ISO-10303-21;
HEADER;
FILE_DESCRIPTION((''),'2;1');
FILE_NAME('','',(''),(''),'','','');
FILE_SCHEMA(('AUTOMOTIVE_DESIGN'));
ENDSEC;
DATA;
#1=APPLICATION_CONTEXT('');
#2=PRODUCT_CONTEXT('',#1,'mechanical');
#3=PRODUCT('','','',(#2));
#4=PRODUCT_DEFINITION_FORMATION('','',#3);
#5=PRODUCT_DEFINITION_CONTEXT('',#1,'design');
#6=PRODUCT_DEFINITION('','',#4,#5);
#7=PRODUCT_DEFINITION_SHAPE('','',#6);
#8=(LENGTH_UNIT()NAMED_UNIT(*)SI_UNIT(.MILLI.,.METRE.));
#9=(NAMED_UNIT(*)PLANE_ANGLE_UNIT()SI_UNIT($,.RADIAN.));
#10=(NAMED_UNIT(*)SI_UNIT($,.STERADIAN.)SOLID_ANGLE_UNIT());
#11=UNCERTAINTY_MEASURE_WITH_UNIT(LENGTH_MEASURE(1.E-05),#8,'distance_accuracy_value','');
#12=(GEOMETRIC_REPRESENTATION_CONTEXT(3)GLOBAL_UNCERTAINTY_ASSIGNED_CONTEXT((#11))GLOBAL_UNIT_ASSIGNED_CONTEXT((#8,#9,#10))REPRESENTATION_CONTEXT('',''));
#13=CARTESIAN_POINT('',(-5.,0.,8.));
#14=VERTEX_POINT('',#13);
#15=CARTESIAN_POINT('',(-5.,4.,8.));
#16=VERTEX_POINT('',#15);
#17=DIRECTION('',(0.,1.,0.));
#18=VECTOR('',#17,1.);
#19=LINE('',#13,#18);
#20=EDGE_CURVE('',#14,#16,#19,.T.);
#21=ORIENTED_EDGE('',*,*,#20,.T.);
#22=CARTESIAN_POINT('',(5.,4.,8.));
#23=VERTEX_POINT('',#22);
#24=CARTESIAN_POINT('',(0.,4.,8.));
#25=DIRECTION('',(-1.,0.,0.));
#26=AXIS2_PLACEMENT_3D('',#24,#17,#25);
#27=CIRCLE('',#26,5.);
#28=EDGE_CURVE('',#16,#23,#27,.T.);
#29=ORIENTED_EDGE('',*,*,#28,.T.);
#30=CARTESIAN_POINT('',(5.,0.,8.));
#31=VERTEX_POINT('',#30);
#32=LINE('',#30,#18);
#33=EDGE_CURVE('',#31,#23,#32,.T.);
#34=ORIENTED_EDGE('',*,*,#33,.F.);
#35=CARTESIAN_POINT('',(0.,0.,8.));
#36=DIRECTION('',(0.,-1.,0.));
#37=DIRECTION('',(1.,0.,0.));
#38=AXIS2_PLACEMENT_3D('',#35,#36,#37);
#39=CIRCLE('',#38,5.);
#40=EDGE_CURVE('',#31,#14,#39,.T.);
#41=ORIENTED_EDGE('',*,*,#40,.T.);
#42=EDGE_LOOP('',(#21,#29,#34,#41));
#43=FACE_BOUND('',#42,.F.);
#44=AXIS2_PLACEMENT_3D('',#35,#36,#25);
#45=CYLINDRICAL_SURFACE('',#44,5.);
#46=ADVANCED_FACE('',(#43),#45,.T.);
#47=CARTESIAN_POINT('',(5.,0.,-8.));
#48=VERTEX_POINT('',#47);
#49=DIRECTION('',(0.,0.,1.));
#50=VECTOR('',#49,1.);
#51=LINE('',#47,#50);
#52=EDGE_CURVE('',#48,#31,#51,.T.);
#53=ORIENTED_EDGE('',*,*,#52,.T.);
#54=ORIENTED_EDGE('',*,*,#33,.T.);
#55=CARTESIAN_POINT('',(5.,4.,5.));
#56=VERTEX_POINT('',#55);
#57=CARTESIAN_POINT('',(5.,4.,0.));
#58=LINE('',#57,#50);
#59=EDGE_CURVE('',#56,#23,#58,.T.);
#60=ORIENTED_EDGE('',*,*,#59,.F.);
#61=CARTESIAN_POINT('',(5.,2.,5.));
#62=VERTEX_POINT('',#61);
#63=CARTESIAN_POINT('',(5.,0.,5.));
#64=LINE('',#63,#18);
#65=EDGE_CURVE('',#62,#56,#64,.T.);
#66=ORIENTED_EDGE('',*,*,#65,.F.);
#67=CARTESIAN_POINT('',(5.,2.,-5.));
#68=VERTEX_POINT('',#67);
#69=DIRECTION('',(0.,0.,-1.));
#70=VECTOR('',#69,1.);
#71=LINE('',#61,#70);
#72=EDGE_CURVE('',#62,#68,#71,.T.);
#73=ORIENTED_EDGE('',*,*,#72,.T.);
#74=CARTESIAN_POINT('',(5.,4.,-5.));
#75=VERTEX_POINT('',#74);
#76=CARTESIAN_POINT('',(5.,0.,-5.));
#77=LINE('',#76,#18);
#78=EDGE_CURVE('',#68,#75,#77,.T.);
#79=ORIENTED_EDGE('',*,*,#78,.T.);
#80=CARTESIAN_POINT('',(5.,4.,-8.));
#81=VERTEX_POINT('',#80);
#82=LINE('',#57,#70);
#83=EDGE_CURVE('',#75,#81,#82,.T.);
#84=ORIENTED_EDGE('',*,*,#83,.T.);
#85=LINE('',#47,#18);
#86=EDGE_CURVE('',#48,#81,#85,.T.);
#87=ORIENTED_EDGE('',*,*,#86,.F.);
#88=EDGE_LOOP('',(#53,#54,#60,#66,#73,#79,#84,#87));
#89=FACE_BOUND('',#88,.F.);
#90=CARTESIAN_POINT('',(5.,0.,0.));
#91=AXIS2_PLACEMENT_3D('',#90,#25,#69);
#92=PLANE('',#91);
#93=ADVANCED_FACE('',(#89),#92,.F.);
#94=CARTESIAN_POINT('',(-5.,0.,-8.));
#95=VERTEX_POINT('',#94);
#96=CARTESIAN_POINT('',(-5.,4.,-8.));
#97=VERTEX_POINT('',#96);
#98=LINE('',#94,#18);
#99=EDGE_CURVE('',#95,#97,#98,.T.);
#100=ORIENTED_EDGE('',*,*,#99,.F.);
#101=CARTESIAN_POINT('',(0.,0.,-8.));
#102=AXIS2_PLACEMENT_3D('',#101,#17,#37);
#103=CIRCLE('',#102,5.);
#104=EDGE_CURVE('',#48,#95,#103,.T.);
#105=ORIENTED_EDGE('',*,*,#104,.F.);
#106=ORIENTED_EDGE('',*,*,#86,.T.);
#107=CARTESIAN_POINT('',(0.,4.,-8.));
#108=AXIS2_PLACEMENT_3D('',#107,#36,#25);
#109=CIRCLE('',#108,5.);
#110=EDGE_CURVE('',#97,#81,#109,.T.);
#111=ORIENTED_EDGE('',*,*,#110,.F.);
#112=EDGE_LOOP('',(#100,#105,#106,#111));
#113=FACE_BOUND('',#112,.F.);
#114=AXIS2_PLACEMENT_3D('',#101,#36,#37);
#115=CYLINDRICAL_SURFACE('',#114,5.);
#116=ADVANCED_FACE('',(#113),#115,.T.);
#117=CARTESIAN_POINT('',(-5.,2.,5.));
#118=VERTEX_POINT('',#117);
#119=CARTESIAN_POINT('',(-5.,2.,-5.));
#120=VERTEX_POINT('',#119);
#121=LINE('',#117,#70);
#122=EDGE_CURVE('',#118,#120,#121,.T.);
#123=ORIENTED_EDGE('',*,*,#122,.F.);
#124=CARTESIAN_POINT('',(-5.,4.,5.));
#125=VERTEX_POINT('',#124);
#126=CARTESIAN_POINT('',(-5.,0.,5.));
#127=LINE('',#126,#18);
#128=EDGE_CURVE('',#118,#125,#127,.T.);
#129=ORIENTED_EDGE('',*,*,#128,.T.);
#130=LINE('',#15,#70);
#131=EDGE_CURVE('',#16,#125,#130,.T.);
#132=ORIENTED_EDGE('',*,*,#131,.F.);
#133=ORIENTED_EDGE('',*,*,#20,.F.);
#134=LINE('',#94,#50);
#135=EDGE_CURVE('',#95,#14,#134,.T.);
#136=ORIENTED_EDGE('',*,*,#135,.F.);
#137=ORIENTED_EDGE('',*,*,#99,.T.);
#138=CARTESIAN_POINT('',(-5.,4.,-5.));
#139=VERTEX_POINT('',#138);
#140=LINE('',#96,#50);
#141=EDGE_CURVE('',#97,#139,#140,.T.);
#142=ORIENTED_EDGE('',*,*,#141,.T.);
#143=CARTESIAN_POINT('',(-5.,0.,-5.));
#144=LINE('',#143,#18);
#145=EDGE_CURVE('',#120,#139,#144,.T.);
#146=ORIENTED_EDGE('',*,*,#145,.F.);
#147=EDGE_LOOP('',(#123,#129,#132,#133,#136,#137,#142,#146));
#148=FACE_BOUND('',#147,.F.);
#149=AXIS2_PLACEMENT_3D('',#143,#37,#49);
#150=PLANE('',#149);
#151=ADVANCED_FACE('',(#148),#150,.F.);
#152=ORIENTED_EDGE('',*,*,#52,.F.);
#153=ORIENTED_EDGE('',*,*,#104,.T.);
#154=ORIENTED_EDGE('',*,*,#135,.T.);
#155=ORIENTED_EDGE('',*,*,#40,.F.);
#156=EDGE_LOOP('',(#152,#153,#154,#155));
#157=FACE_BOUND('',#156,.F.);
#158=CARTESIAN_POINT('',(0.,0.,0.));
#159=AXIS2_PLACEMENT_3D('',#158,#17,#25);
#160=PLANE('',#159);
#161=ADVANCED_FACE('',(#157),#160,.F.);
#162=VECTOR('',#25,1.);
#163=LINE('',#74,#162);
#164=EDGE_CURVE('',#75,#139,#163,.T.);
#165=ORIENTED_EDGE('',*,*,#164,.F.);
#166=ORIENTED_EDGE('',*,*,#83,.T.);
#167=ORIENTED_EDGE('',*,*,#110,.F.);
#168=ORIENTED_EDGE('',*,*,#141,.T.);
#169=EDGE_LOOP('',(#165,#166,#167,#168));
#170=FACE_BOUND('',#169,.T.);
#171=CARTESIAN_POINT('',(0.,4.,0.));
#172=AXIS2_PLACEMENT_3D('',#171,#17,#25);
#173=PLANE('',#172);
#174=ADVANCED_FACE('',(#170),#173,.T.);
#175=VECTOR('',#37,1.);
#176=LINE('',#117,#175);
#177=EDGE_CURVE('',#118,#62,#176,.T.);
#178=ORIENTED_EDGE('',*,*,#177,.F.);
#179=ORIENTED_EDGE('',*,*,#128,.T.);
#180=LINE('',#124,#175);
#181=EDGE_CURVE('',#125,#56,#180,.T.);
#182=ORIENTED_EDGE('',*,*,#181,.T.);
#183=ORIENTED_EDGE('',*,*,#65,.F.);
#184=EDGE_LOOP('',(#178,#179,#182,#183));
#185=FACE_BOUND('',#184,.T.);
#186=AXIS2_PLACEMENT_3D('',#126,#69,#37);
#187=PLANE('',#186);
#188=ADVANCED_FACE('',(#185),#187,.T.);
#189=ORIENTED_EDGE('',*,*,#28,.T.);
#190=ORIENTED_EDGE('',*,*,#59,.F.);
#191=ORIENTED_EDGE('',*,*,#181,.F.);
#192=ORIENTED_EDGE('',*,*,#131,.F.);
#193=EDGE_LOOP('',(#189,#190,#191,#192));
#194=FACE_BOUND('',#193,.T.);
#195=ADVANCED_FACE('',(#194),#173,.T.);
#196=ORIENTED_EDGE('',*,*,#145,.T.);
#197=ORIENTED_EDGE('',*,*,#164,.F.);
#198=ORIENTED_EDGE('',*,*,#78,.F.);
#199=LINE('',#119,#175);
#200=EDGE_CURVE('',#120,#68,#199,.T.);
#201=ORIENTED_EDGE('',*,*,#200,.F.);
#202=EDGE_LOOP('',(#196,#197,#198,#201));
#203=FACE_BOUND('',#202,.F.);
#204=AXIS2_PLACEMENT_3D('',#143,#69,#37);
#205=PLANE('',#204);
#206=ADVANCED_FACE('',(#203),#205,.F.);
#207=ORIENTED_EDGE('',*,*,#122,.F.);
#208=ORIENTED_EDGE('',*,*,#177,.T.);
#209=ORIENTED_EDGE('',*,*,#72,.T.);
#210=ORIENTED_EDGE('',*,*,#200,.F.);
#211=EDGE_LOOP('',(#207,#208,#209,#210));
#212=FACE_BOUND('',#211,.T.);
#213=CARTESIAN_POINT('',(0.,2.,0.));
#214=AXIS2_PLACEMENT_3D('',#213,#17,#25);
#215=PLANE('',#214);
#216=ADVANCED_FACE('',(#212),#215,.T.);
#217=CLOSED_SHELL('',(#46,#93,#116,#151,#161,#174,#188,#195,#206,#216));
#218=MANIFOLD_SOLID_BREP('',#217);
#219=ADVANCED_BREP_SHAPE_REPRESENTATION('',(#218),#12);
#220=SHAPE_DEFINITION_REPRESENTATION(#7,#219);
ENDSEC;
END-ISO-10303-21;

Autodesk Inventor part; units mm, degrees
sketch "Sketch1" plane through (0, 0, 0) normal (0, 1, 0) x (-1, 0, 0)
  line L0 (5, 0) -> (-5, 0)
  line L1 (-5, 0) -> (-5, 8)
  line L2 (-5, 8) -> (5, 8)
  line L3 (5, 8) -> (5, 0)
  line L4 (0, -18.2) -> (0, 18.2) projected
  line L5 (7, 0) -> (-7, 0) projected
  line L6 (5, 5) -> (-5, 5)
  arc A0 (5, 8) -> (-5, 8) centre (0, 8) ccw
  line L7 (-5, 0) -> (-5, -8)
  line L8 (-5, -8) -> (5, -8)
  line L9 (5, -8) -> (5, 0)
  line L10 (5, -5) -> (-5, -5)
  arc A1 (-5, -8) -> (5, -8) centre (0, -8) ccw
  point P0 (0, 0)
  dimension "d0" = 10
  dimension "d1" = 8
  dimension "d2" = 3
extrude "Extrusion1" add sketch "Sketch1" along normal blind 2 contours L9 L10 L4 L0 | L0 L4 L6 L3 | L4 L10 L7 L0 | L0 L1 L6 L4
extrude "Extrusion2" add sketch "Sketch1" along normal blind 4 contours L6 L4 L2 L3 | L9 L8 L4 L10 | L4 L8 L7 L10 | L6 L1 L2 L4 | L2 L4 A0 | A1 L4 L8 | L4 A1 L8 | L2 A0 L4
properties part number "Tile_Connector"
